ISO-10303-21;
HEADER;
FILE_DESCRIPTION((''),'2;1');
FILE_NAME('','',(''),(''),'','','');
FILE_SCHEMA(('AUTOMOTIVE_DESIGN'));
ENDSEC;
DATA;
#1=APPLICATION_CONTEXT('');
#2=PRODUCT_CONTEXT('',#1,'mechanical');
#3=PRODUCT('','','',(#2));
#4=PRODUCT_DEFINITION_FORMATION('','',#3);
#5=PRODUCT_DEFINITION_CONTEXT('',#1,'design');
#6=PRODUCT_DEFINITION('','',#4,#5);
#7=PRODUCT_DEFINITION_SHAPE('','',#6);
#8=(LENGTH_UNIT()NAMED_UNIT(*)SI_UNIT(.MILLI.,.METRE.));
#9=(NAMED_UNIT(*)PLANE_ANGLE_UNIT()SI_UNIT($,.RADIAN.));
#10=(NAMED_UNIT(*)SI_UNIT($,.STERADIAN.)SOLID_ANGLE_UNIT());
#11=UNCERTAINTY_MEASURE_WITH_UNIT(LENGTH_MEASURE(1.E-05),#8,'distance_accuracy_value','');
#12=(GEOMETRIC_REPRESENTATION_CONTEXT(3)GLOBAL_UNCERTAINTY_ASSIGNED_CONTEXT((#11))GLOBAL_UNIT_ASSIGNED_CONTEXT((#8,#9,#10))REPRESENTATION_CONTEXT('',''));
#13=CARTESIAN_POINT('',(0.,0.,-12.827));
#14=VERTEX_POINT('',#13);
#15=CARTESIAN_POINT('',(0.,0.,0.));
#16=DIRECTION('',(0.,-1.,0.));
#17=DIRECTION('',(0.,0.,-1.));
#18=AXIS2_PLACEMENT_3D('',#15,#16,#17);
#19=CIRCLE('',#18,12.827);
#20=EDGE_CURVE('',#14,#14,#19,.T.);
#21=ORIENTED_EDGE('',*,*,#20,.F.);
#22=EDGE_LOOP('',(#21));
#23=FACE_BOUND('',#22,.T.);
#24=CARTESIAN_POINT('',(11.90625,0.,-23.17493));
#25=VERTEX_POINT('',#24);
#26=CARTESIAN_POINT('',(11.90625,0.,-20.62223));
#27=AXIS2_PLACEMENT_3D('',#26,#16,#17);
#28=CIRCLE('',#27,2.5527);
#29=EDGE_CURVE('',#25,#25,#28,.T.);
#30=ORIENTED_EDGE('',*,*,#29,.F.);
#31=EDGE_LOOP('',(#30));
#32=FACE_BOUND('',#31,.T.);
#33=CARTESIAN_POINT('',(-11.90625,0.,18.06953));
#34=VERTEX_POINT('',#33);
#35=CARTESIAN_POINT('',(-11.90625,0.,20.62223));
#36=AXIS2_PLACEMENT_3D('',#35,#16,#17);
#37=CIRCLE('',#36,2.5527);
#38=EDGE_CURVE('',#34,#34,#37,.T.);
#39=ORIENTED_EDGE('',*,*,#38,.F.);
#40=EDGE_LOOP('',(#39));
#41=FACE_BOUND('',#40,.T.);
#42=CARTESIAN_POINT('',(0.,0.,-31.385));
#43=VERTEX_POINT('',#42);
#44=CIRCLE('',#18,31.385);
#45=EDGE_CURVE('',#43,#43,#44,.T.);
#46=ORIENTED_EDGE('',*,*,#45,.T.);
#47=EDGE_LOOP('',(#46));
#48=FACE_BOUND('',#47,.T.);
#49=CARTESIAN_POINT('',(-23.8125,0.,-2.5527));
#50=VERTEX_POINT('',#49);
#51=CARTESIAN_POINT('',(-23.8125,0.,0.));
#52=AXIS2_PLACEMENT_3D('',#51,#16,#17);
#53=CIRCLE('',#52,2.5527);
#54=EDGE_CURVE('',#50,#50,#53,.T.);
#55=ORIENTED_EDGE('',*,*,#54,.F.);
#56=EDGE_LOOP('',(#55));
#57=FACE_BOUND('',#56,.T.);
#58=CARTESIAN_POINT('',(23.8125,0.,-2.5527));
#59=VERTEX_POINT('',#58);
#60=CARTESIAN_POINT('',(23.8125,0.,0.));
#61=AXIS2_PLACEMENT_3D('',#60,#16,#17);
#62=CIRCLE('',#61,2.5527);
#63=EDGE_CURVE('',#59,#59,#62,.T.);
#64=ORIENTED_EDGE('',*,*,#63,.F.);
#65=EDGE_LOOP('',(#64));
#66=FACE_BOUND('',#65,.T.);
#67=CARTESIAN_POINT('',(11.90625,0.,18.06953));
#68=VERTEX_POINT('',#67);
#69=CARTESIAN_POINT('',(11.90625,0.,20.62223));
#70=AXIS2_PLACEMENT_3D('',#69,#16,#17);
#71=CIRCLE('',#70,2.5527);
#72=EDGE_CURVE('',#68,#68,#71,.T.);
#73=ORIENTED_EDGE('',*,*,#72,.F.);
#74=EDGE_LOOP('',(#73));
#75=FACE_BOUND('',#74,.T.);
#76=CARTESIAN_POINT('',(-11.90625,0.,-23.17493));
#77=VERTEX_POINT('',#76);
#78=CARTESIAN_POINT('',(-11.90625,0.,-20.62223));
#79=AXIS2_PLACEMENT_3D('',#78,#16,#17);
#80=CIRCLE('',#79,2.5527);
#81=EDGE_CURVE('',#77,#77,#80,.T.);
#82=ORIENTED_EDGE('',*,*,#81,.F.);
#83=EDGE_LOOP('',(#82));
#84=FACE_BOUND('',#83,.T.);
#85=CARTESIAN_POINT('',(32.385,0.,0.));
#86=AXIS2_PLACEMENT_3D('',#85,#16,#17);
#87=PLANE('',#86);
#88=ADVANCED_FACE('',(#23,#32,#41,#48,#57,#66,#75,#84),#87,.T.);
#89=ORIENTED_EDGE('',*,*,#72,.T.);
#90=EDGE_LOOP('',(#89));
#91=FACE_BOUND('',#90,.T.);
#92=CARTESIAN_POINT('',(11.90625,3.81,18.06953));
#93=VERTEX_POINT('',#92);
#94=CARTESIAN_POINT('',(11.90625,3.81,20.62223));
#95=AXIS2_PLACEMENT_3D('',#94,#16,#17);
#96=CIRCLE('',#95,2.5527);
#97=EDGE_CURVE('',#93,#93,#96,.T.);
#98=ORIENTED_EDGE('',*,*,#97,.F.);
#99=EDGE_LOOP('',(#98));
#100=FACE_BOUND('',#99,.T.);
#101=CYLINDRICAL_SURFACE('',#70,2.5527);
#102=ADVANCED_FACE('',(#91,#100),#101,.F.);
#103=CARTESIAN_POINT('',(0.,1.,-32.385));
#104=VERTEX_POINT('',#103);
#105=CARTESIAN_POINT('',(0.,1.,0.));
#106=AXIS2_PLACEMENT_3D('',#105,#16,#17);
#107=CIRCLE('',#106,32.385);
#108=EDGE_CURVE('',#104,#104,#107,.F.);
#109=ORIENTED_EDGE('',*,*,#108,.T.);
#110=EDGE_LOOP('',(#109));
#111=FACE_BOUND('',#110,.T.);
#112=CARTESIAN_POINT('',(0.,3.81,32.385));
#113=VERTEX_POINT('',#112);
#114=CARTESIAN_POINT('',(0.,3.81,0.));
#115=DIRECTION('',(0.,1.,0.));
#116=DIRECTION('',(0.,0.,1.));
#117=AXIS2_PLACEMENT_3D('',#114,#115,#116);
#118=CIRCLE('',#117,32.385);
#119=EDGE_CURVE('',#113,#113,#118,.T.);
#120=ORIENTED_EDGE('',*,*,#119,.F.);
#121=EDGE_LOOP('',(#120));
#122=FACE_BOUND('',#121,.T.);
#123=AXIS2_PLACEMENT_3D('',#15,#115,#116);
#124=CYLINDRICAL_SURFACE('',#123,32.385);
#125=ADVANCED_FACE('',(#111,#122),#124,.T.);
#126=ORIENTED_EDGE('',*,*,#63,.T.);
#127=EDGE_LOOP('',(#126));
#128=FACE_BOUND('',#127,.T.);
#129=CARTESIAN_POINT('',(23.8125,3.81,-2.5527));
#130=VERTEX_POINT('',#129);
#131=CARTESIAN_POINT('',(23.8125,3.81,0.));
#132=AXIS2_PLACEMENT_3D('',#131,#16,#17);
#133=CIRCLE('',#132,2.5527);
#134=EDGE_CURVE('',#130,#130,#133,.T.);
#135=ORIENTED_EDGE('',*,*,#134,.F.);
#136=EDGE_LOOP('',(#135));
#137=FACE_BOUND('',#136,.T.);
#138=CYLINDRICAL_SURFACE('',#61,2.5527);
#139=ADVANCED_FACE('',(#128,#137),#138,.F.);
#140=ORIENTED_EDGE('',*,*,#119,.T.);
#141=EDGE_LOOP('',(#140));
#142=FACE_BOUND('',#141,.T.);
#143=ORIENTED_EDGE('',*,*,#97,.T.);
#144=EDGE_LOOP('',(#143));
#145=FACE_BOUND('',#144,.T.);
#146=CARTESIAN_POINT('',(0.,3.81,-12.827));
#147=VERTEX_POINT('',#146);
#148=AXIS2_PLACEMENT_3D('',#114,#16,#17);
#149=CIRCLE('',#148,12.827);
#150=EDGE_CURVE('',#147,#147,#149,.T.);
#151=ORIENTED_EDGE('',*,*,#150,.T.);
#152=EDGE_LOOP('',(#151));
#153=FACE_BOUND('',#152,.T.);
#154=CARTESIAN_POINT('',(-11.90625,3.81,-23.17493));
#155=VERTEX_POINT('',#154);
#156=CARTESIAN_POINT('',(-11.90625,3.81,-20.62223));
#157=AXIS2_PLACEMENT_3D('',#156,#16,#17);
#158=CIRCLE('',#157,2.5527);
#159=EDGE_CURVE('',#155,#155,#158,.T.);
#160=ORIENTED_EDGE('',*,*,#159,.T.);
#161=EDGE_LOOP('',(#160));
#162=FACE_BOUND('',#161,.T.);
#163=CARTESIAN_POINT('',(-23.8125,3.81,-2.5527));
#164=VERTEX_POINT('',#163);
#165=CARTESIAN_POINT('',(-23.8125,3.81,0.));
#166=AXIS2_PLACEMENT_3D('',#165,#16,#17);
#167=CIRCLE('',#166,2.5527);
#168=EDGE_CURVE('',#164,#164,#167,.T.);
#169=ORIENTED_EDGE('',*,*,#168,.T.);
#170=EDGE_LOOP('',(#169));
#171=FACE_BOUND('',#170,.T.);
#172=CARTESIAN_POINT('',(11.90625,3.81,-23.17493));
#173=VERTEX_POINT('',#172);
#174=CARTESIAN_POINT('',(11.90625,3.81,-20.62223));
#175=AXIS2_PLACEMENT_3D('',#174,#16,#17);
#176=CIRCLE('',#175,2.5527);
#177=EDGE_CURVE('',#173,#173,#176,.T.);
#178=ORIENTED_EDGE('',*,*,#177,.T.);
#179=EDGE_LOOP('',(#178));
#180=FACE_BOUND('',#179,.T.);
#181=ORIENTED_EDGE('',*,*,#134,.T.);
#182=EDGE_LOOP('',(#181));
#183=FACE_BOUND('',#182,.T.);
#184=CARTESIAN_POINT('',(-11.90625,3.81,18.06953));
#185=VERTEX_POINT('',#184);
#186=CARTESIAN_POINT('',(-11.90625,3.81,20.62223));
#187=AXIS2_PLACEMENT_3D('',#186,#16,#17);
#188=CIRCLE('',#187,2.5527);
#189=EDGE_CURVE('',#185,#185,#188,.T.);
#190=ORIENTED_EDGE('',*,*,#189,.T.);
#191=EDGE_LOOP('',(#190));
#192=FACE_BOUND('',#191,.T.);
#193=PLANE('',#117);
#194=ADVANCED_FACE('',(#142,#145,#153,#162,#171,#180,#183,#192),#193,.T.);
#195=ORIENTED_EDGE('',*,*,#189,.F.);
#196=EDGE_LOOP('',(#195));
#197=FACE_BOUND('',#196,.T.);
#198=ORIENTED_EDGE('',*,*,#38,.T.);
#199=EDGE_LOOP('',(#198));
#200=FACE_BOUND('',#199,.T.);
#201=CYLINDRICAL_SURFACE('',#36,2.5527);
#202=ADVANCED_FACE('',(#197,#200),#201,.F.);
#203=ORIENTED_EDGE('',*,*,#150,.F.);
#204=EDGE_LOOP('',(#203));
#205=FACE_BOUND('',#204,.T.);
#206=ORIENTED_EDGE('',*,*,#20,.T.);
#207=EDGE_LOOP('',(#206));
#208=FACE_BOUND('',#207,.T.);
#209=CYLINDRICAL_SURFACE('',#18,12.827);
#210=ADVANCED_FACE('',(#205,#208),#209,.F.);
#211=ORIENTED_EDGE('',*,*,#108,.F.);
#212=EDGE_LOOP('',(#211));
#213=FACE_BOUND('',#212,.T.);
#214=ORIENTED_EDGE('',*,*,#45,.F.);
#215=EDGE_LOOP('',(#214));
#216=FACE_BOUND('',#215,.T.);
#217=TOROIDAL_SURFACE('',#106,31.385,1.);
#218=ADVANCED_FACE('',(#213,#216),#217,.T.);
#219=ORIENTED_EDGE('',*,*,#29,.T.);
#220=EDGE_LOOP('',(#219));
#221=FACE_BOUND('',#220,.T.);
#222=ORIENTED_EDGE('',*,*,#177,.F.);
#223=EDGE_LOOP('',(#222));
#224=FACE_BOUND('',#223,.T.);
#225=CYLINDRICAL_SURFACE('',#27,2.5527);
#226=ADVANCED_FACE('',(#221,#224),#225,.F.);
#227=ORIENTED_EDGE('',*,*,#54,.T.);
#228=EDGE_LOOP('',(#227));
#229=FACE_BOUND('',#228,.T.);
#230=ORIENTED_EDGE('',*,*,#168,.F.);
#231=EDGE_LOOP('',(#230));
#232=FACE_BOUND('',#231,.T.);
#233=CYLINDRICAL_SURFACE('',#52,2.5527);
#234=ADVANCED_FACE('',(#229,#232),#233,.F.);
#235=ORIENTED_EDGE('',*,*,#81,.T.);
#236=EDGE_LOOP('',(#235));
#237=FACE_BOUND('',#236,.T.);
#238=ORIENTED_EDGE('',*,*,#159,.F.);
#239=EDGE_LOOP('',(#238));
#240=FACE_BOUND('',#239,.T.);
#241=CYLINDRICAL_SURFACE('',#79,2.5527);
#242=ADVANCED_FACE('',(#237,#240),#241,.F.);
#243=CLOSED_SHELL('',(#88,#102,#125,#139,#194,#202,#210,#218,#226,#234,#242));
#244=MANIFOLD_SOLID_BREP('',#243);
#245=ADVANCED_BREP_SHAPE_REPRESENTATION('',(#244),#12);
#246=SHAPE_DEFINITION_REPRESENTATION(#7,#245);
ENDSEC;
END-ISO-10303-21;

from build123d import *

# Parameters (mm, degrees)
SKETCH1_W                      = 32.385
SKETCH1_H                      = 3.81
F_7_0_201_DIAMETER_HOLE1_D     = 5.1054
F_7_0_201_DIAMETER_HOLE1_DEPTH = 3.81
HOLE1_D                        = 25.654
HOLE1_DEPTH                    = 3.81
FILLET1_R                      = 1


with BuildPart() as part:
    # Sketch1 → Revolve1 (revolve)
    with BuildSketch(Plane(origin=(0, 0, 0), x_dir=(-1, 0, 0), z_dir=(0, 0, -1))):
        with Locations((-16.1925, 1.905)):
            Rectangle(SKETCH1_W, SKETCH1_H)
    revolve(axis=Axis((0, 0, 0), (0, 1, 0)))

    # #7 (0.201) Diameter Hole1
    with Locations(Plane(origin=(0, 0, 0), x_dir=(-1, 0, 0), z_dir=(0, -1, 0))):
        with Locations((11.90625, 20.622229928), (-11.90625, 20.622229928), (-23.8125, 0), (-11.90625, -20.622229928), (11.90625, -20.622229928), (23.8125, 0)):
            Hole(F_7_0_201_DIAMETER_HOLE1_D / 2, depth=F_7_0_201_DIAMETER_HOLE1_DEPTH)

    # Hole1
    with Locations(Plane(origin=(0, 0, 0), x_dir=(-1, 0, 0), z_dir=(0, -1, 0))):
        with Locations((0, 0)):
            Hole(HOLE1_D / 2, depth=HOLE1_DEPTH)

    # Fillet1
    fillet1_edges = [part.edges().sort_by_distance(p)[0] for p in [
        (-32.385, 0, 0),
    ]]
    fillet(fillet1_edges, radius=FILLET1_R)


solid = part.part
